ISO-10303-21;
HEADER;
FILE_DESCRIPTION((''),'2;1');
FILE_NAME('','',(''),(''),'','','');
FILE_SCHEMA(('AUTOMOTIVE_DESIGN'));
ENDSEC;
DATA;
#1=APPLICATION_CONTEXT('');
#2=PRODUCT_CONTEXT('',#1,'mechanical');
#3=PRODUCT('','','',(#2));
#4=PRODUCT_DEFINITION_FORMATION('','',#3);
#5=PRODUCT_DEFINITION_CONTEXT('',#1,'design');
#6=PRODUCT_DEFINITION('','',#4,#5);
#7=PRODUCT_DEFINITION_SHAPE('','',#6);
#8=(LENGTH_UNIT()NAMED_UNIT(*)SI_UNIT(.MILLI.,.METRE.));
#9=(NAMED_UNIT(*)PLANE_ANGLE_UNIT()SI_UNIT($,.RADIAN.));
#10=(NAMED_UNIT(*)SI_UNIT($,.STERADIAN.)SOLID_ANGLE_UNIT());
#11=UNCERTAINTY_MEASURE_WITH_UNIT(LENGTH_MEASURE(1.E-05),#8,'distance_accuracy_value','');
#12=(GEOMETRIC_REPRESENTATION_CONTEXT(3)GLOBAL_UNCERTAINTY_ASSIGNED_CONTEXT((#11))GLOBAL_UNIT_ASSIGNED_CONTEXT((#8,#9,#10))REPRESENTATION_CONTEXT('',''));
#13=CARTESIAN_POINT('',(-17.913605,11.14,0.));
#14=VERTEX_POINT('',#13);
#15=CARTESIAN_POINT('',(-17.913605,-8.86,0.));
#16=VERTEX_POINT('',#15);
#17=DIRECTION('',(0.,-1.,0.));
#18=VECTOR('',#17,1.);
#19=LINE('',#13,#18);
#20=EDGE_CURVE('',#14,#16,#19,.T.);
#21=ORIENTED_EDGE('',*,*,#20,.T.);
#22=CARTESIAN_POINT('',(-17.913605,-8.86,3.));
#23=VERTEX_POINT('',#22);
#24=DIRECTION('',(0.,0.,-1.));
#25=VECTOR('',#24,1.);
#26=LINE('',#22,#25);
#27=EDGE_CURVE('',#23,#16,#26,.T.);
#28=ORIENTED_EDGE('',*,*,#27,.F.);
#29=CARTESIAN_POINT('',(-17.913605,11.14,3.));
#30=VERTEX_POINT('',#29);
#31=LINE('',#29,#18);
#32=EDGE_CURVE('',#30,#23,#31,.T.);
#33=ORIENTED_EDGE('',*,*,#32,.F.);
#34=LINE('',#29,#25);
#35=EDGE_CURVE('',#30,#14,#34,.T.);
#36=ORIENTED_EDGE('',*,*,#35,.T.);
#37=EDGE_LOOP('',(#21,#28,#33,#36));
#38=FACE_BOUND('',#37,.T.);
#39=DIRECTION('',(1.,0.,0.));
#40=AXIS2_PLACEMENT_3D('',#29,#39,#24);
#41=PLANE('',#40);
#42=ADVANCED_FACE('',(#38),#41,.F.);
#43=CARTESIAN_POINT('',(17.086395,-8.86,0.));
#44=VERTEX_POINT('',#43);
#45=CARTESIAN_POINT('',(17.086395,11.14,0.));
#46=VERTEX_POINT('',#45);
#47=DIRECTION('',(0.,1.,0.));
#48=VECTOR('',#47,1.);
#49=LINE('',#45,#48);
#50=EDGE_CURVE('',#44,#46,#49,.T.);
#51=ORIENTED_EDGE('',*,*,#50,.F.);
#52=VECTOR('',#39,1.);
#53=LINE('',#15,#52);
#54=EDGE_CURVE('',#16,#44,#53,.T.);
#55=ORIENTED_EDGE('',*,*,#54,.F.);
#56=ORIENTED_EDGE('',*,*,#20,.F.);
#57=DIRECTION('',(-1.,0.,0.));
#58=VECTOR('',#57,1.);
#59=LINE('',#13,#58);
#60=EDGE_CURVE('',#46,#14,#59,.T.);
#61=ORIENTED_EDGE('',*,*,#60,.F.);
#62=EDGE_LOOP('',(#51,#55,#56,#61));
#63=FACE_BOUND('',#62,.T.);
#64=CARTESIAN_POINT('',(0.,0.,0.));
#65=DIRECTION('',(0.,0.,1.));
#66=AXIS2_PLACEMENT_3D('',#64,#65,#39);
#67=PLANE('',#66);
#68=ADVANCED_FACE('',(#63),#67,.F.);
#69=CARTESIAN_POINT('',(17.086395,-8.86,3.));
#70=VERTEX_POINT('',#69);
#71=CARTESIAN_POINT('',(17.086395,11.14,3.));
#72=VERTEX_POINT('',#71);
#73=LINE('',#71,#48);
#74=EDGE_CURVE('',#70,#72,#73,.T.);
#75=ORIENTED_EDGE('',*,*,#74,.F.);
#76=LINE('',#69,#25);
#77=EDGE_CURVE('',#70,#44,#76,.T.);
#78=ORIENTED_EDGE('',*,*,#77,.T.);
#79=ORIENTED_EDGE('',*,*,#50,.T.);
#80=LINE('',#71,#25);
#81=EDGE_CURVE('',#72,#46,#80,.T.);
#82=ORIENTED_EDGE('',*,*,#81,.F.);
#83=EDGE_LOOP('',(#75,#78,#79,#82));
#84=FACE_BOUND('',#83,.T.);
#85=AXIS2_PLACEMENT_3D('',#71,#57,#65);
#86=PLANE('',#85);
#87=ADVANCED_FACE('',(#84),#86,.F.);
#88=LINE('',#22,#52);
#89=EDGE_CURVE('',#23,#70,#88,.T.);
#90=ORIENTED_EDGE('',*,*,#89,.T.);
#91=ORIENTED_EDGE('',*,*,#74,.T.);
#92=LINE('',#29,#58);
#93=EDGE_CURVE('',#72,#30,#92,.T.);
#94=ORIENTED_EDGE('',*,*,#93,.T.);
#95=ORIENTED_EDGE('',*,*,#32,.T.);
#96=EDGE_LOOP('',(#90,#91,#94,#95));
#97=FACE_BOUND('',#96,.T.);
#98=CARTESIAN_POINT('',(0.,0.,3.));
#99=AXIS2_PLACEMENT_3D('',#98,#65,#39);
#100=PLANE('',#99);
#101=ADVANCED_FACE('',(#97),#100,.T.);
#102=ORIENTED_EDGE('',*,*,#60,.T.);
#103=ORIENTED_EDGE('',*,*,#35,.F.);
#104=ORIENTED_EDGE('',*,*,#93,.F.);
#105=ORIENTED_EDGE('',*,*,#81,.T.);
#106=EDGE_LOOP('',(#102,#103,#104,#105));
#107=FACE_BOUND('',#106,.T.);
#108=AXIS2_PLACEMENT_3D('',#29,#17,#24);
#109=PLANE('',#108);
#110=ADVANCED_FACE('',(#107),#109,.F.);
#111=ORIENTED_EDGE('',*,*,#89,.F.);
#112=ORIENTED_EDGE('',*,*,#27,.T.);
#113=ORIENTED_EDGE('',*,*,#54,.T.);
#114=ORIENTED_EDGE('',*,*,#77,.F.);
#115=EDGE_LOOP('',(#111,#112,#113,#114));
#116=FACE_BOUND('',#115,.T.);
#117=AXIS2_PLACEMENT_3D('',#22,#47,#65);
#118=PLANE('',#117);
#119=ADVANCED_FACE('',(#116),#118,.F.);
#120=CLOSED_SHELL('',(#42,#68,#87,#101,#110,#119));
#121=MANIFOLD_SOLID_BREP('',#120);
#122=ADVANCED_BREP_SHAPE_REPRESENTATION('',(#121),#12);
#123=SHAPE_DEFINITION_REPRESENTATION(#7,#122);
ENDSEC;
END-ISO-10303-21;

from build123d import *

# Parameters (mm, degrees)
ESQUISSE1_W        = 35
ESQUISSE1_H        = 20
BOSS_EXTRU_1_DEPTH = 3


with BuildPart() as part:
    # Esquisse1 → Boss.-Extru.1 (new body)
    with BuildSketch(Plane.XY):
        with Locations((-0.413605442, 1.14)):
            Rectangle(ESQUISSE1_W, ESQUISSE1_H)
    extrude(amount=BOSS_EXTRU_1_DEPTH)


solid = part.part
